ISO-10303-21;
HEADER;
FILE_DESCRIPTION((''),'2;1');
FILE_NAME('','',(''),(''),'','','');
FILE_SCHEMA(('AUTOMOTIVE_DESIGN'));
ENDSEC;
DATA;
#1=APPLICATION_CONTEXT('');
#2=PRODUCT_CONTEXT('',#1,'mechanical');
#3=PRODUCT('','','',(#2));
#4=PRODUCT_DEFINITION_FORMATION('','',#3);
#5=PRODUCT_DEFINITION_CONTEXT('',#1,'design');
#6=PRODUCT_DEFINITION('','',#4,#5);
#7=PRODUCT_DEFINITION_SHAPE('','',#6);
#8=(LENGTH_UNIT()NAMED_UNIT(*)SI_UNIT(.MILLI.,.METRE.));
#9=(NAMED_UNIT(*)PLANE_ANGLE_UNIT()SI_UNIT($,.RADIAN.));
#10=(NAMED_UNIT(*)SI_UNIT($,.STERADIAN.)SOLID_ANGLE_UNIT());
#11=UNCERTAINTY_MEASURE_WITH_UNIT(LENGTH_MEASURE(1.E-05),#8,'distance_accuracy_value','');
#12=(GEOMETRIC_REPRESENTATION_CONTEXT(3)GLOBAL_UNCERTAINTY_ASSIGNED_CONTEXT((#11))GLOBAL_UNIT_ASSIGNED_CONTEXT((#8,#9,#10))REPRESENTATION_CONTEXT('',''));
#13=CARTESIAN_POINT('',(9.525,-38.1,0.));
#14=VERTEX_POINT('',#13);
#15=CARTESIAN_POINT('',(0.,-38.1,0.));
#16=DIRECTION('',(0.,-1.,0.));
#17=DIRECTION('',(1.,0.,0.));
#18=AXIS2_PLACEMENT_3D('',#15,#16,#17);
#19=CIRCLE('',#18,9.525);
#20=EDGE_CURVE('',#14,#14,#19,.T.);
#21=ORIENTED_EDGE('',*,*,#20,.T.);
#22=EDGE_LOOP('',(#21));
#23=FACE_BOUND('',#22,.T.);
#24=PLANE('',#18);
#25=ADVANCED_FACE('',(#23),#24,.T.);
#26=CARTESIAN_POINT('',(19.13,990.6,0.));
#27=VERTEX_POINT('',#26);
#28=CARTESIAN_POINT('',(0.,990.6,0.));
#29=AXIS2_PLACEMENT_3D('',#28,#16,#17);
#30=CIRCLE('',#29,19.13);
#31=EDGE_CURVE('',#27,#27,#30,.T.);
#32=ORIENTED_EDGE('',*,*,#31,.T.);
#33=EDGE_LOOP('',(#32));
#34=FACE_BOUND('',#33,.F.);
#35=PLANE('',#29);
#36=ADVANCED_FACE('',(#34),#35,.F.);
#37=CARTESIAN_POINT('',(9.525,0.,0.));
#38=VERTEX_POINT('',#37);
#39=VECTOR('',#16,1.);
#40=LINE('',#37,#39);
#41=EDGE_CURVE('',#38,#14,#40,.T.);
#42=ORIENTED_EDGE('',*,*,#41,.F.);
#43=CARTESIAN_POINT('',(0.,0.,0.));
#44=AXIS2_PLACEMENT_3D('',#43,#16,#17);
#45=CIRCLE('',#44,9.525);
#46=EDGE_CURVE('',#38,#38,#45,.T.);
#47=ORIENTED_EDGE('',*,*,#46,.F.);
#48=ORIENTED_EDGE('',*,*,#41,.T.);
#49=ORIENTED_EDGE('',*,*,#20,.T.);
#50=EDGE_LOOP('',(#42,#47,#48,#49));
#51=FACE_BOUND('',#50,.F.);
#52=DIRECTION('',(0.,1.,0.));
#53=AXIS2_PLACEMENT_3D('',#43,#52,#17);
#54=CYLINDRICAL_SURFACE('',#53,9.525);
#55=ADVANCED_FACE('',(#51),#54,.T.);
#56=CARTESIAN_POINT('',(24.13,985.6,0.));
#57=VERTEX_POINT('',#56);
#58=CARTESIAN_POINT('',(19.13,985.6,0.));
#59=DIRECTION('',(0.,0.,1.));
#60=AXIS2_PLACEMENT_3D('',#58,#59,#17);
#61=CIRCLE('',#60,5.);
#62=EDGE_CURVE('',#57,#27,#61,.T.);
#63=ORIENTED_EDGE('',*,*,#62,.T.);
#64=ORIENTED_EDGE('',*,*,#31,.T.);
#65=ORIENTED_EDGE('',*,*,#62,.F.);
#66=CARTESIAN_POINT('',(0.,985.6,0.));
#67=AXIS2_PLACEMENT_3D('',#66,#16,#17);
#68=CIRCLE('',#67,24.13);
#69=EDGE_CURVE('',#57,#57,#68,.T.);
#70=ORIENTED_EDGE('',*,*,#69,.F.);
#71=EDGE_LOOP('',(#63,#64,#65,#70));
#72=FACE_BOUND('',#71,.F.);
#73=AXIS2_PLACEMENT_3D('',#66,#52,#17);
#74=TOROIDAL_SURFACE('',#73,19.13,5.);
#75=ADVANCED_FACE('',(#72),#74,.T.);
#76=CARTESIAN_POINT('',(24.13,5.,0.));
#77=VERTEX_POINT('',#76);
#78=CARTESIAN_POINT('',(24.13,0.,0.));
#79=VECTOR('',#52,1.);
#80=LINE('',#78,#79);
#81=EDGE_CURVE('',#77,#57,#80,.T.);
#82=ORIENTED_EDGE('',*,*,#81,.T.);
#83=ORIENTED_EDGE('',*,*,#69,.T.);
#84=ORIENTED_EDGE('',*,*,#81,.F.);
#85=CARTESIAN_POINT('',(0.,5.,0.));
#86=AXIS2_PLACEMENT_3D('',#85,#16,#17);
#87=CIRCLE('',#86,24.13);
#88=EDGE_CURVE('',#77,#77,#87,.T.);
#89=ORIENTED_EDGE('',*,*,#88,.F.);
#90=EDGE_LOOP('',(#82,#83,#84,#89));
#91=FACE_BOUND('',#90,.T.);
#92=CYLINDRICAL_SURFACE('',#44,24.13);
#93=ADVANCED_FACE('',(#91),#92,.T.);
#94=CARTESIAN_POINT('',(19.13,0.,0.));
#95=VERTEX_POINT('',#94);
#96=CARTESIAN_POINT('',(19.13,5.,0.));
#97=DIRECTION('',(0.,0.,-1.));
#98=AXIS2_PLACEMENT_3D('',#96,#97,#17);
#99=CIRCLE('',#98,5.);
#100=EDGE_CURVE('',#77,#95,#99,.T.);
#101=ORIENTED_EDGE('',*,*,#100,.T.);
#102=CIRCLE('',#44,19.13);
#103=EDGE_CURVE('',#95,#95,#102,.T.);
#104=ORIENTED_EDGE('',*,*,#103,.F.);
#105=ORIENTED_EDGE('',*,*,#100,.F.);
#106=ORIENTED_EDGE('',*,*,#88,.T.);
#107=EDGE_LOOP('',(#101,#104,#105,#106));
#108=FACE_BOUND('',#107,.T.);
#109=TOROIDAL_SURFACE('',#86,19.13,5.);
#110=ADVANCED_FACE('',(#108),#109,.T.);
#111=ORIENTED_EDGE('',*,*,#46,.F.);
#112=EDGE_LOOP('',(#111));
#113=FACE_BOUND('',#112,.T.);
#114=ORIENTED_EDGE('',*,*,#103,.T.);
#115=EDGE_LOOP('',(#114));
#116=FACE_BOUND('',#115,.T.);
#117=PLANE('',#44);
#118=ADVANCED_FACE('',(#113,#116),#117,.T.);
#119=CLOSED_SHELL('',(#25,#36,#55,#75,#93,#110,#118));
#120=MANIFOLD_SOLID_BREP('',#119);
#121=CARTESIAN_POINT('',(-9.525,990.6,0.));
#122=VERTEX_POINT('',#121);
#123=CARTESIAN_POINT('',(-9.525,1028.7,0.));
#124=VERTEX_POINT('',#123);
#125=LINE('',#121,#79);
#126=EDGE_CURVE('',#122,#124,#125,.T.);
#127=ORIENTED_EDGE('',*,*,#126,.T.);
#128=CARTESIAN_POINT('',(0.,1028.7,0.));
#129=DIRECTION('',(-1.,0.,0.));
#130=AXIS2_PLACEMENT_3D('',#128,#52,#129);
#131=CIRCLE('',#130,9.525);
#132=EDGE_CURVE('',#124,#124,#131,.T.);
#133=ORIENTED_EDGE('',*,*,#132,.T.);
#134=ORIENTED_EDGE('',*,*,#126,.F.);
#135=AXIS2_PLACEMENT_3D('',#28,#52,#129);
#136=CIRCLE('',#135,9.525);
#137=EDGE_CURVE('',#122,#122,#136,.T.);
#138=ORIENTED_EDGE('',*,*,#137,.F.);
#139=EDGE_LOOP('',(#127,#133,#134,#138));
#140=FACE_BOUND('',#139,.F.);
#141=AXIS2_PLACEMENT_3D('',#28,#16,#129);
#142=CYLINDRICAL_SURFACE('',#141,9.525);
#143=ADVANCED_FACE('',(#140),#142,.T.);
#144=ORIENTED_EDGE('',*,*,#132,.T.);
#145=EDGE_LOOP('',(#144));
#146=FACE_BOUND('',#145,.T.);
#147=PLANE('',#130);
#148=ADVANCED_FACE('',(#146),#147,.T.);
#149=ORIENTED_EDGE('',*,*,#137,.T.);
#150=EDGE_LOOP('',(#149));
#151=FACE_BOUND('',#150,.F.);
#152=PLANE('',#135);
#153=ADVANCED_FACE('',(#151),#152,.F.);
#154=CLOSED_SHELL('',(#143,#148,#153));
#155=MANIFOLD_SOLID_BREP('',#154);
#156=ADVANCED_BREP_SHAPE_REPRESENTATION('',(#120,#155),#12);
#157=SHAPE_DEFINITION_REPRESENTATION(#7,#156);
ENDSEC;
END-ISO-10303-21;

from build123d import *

# Parameters (mm, degrees)
F0_R     = 24.13
F1_DEPTH = 990.6
F2_R     = 9.525
F3_DEPTH = 38.1
F4_R     = 9.525
F5_DEPTH = 38.1
F6_R     = 5


with BuildPart() as f1:
    # F0 (on Front) → F1 (new body)
    with BuildSketch(Plane.XZ):
        Circle(F0_R)
    extrude(amount=-F1_DEPTH)

    # F2 (on face) → F3 (join)
    with BuildSketch(Plane.XZ):
        Circle(F2_R)
    extrude(amount=F3_DEPTH)

    # F6
    f6_edges = [f1.edges().sort_by_distance(p)[0] for p in [
        (-24.13, 0, 0),
        (-24.13, 990.6, 0),
    ]]
    fillet(f6_edges, radius=F6_R)


with BuildPart() as f5:
    # F4 (on face) → F5 (new body)
    with BuildSketch(Plane(origin=(0, 990.6, 0), x_dir=(-1, 0, 0), z_dir=(0, 1, 0))):
        Circle(F4_R)
    extrude(amount=F5_DEPTH)


solid = Compound([f1.part, f5.part])
